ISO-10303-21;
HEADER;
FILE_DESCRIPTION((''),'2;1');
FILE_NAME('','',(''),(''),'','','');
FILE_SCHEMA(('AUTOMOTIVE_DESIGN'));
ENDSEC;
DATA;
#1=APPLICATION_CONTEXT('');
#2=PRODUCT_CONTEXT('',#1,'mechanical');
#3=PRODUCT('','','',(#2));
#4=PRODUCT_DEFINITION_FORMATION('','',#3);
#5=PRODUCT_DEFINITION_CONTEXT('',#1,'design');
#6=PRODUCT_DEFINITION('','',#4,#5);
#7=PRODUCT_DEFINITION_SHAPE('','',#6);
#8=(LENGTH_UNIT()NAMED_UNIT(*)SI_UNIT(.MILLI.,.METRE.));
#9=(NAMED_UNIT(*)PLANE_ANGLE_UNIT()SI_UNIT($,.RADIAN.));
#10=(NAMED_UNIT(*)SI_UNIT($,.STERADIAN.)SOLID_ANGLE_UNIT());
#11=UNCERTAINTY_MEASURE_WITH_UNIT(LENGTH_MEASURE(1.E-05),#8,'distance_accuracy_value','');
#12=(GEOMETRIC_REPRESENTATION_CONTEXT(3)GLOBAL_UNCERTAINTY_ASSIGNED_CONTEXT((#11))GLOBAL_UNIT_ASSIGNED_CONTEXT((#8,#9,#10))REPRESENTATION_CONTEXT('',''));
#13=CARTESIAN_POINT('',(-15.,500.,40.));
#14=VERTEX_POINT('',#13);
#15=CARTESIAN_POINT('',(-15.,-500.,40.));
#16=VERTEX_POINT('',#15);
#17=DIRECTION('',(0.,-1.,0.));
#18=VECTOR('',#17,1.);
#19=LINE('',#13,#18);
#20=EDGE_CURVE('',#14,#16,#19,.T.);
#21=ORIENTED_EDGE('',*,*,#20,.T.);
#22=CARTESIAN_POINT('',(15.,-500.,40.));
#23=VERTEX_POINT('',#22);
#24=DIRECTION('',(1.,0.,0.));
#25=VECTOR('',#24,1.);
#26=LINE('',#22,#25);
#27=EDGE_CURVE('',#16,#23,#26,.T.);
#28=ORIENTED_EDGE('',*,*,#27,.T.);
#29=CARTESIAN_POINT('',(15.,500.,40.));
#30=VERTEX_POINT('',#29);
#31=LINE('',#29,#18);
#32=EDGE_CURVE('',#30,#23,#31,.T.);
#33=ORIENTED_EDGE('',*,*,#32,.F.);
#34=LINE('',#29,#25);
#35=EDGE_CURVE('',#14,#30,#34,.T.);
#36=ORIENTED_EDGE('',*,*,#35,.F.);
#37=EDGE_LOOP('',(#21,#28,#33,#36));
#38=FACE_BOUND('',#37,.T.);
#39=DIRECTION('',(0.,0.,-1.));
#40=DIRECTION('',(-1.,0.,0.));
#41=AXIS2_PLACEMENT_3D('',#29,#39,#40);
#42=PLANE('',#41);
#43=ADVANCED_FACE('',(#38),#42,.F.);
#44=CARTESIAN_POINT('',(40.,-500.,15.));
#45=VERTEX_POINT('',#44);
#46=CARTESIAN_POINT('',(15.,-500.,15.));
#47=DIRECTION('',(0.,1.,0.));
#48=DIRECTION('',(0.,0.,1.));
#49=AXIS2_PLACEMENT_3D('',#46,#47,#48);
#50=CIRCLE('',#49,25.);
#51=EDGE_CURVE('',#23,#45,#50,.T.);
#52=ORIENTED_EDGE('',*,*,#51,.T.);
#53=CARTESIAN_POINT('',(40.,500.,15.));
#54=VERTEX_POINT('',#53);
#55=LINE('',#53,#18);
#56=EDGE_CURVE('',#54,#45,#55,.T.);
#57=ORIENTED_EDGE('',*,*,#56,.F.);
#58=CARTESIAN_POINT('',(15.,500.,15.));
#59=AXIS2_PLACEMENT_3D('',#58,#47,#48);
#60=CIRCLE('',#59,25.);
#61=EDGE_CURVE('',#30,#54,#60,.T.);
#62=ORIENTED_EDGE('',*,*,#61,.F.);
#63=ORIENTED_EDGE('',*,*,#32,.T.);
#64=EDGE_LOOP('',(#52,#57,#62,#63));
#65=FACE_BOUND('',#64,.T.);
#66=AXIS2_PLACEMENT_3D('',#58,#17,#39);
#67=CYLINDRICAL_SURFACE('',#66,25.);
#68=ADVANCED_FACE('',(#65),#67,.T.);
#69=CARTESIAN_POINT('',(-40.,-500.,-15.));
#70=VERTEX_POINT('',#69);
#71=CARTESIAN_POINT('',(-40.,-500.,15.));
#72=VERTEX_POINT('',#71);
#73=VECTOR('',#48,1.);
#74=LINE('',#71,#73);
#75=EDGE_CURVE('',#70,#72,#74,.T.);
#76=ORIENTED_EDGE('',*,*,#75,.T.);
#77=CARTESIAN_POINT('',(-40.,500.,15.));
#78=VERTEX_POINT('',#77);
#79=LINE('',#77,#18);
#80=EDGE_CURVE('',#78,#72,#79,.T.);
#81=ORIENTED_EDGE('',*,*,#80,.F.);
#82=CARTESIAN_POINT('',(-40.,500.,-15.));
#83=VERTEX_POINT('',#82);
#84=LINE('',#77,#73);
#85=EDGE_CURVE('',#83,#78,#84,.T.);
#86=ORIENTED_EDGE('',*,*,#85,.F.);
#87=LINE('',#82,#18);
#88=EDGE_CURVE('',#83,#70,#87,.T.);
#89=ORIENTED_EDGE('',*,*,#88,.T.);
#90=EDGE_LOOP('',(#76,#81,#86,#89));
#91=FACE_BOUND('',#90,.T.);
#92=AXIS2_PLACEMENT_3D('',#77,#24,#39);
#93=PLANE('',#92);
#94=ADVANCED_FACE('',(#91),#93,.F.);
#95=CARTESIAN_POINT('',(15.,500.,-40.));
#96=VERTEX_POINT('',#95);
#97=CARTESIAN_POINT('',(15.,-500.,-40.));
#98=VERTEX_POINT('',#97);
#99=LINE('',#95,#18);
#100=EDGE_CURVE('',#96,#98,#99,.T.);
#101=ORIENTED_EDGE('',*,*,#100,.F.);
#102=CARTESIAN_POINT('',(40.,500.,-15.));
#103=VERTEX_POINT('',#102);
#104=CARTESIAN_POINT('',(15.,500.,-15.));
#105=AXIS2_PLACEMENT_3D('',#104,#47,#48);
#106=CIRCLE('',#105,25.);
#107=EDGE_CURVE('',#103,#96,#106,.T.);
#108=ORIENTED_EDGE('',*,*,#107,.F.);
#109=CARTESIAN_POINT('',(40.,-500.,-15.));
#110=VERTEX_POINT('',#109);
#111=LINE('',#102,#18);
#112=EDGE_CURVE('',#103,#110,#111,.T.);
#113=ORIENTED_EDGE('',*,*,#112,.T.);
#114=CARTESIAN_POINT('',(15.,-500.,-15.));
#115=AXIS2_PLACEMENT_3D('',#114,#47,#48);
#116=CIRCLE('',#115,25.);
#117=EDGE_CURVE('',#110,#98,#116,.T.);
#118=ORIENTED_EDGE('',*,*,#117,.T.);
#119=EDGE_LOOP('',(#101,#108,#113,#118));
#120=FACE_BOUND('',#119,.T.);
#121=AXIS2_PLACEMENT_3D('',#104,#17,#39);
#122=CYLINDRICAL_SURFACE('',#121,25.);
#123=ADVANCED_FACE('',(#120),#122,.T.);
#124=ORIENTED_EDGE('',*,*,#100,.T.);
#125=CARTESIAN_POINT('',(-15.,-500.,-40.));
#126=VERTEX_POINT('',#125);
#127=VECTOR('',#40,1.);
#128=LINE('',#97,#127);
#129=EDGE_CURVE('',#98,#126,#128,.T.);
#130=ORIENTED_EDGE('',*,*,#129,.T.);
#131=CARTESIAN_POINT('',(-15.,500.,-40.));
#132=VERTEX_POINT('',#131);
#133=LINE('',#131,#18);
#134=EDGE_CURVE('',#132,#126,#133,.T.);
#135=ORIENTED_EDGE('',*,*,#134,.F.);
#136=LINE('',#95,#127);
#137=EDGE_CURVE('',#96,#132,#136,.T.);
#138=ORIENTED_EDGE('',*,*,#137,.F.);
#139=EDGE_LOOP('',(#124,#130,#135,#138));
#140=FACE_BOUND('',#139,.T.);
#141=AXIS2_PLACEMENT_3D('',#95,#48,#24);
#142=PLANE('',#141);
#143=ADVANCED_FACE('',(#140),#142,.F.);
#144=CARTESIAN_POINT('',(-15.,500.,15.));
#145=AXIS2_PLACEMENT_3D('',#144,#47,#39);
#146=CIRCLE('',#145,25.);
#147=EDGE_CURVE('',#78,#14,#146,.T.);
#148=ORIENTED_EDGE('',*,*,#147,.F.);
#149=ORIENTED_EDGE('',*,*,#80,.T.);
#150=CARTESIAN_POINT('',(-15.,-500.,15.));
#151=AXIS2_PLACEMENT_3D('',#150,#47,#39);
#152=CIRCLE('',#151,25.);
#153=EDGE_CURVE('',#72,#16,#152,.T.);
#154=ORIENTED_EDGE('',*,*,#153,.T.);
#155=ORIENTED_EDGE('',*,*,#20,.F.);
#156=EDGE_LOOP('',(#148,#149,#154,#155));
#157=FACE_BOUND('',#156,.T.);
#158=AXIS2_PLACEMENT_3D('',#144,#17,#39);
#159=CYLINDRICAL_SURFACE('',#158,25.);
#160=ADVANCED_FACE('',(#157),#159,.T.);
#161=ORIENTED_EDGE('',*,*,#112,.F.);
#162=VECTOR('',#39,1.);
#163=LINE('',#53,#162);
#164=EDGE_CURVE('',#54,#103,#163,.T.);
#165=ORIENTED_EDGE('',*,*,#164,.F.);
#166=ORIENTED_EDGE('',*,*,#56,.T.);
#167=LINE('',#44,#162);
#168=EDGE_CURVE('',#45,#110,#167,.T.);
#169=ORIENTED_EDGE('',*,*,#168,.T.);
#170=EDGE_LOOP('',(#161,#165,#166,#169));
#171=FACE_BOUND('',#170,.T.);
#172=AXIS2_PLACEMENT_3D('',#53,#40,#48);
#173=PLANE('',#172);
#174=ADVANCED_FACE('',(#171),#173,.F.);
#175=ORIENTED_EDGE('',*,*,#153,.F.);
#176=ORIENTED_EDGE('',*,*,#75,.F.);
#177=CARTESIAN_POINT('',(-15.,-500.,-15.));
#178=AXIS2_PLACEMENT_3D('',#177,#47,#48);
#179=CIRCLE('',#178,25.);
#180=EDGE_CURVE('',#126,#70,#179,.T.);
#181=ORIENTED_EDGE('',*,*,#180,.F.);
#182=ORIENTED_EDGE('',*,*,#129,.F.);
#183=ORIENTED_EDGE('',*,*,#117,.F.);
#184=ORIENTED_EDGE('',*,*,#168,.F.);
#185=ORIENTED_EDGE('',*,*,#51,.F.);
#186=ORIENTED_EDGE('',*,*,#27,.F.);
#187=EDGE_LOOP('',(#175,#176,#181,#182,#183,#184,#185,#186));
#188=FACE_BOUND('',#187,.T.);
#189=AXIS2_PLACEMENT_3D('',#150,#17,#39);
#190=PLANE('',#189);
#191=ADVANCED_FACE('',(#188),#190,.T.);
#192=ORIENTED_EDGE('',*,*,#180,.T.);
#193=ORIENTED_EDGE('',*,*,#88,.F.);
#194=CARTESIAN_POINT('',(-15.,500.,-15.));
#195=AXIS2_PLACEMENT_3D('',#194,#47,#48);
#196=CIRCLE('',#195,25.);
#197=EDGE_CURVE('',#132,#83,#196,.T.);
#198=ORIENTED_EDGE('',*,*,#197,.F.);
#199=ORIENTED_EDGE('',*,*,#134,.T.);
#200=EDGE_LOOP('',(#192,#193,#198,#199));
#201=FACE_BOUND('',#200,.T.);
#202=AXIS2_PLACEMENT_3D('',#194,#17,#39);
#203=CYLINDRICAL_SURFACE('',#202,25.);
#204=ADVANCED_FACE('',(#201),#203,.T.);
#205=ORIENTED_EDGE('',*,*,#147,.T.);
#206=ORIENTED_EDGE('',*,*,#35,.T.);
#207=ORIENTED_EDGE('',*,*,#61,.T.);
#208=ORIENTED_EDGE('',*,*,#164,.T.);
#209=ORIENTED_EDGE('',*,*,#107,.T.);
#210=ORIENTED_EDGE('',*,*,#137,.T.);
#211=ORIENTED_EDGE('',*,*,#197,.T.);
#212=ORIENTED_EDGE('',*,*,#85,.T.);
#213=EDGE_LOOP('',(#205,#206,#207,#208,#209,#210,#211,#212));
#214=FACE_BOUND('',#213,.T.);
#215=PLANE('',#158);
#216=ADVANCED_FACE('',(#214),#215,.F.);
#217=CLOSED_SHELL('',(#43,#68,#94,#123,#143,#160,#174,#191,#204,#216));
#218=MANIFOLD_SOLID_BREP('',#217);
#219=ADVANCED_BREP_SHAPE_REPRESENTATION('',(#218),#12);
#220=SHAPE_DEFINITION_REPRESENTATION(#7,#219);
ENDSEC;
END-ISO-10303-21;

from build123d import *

# Parameters (mm, degrees)
BOSS_EXTRUDE1_DEPTH = 500


with BuildPart() as part:
    # Sketch1 → Boss-Extrude1 (new, symmetric)
    with BuildSketch(Plane(origin=(0, 0, 0), x_dir=(1, 0, 0), z_dir=(0, 1, 0))):
        with BuildLine():
            Line((15, -40), (-15, -40))
            ThreePointArc((-15, -40), (-32.67766953, -32.67766953), (-40, -15))
            Line((-40, -15), (-40, 15))
            ThreePointArc((-40, 15), (-32.67766953, 32.67766953), (-15, 40))
            Line((-15, 40), (15, 40))
            ThreePointArc((15, 40), (32.67766953, 32.67766953), (40, 15))
            Line((40, 15), (40, -15))
            ThreePointArc((40, -15), (32.67766953, -32.67766953), (15, -40))
        make_face()
    extrude(amount=BOSS_EXTRUDE1_DEPTH, both=True)


solid = part.part
